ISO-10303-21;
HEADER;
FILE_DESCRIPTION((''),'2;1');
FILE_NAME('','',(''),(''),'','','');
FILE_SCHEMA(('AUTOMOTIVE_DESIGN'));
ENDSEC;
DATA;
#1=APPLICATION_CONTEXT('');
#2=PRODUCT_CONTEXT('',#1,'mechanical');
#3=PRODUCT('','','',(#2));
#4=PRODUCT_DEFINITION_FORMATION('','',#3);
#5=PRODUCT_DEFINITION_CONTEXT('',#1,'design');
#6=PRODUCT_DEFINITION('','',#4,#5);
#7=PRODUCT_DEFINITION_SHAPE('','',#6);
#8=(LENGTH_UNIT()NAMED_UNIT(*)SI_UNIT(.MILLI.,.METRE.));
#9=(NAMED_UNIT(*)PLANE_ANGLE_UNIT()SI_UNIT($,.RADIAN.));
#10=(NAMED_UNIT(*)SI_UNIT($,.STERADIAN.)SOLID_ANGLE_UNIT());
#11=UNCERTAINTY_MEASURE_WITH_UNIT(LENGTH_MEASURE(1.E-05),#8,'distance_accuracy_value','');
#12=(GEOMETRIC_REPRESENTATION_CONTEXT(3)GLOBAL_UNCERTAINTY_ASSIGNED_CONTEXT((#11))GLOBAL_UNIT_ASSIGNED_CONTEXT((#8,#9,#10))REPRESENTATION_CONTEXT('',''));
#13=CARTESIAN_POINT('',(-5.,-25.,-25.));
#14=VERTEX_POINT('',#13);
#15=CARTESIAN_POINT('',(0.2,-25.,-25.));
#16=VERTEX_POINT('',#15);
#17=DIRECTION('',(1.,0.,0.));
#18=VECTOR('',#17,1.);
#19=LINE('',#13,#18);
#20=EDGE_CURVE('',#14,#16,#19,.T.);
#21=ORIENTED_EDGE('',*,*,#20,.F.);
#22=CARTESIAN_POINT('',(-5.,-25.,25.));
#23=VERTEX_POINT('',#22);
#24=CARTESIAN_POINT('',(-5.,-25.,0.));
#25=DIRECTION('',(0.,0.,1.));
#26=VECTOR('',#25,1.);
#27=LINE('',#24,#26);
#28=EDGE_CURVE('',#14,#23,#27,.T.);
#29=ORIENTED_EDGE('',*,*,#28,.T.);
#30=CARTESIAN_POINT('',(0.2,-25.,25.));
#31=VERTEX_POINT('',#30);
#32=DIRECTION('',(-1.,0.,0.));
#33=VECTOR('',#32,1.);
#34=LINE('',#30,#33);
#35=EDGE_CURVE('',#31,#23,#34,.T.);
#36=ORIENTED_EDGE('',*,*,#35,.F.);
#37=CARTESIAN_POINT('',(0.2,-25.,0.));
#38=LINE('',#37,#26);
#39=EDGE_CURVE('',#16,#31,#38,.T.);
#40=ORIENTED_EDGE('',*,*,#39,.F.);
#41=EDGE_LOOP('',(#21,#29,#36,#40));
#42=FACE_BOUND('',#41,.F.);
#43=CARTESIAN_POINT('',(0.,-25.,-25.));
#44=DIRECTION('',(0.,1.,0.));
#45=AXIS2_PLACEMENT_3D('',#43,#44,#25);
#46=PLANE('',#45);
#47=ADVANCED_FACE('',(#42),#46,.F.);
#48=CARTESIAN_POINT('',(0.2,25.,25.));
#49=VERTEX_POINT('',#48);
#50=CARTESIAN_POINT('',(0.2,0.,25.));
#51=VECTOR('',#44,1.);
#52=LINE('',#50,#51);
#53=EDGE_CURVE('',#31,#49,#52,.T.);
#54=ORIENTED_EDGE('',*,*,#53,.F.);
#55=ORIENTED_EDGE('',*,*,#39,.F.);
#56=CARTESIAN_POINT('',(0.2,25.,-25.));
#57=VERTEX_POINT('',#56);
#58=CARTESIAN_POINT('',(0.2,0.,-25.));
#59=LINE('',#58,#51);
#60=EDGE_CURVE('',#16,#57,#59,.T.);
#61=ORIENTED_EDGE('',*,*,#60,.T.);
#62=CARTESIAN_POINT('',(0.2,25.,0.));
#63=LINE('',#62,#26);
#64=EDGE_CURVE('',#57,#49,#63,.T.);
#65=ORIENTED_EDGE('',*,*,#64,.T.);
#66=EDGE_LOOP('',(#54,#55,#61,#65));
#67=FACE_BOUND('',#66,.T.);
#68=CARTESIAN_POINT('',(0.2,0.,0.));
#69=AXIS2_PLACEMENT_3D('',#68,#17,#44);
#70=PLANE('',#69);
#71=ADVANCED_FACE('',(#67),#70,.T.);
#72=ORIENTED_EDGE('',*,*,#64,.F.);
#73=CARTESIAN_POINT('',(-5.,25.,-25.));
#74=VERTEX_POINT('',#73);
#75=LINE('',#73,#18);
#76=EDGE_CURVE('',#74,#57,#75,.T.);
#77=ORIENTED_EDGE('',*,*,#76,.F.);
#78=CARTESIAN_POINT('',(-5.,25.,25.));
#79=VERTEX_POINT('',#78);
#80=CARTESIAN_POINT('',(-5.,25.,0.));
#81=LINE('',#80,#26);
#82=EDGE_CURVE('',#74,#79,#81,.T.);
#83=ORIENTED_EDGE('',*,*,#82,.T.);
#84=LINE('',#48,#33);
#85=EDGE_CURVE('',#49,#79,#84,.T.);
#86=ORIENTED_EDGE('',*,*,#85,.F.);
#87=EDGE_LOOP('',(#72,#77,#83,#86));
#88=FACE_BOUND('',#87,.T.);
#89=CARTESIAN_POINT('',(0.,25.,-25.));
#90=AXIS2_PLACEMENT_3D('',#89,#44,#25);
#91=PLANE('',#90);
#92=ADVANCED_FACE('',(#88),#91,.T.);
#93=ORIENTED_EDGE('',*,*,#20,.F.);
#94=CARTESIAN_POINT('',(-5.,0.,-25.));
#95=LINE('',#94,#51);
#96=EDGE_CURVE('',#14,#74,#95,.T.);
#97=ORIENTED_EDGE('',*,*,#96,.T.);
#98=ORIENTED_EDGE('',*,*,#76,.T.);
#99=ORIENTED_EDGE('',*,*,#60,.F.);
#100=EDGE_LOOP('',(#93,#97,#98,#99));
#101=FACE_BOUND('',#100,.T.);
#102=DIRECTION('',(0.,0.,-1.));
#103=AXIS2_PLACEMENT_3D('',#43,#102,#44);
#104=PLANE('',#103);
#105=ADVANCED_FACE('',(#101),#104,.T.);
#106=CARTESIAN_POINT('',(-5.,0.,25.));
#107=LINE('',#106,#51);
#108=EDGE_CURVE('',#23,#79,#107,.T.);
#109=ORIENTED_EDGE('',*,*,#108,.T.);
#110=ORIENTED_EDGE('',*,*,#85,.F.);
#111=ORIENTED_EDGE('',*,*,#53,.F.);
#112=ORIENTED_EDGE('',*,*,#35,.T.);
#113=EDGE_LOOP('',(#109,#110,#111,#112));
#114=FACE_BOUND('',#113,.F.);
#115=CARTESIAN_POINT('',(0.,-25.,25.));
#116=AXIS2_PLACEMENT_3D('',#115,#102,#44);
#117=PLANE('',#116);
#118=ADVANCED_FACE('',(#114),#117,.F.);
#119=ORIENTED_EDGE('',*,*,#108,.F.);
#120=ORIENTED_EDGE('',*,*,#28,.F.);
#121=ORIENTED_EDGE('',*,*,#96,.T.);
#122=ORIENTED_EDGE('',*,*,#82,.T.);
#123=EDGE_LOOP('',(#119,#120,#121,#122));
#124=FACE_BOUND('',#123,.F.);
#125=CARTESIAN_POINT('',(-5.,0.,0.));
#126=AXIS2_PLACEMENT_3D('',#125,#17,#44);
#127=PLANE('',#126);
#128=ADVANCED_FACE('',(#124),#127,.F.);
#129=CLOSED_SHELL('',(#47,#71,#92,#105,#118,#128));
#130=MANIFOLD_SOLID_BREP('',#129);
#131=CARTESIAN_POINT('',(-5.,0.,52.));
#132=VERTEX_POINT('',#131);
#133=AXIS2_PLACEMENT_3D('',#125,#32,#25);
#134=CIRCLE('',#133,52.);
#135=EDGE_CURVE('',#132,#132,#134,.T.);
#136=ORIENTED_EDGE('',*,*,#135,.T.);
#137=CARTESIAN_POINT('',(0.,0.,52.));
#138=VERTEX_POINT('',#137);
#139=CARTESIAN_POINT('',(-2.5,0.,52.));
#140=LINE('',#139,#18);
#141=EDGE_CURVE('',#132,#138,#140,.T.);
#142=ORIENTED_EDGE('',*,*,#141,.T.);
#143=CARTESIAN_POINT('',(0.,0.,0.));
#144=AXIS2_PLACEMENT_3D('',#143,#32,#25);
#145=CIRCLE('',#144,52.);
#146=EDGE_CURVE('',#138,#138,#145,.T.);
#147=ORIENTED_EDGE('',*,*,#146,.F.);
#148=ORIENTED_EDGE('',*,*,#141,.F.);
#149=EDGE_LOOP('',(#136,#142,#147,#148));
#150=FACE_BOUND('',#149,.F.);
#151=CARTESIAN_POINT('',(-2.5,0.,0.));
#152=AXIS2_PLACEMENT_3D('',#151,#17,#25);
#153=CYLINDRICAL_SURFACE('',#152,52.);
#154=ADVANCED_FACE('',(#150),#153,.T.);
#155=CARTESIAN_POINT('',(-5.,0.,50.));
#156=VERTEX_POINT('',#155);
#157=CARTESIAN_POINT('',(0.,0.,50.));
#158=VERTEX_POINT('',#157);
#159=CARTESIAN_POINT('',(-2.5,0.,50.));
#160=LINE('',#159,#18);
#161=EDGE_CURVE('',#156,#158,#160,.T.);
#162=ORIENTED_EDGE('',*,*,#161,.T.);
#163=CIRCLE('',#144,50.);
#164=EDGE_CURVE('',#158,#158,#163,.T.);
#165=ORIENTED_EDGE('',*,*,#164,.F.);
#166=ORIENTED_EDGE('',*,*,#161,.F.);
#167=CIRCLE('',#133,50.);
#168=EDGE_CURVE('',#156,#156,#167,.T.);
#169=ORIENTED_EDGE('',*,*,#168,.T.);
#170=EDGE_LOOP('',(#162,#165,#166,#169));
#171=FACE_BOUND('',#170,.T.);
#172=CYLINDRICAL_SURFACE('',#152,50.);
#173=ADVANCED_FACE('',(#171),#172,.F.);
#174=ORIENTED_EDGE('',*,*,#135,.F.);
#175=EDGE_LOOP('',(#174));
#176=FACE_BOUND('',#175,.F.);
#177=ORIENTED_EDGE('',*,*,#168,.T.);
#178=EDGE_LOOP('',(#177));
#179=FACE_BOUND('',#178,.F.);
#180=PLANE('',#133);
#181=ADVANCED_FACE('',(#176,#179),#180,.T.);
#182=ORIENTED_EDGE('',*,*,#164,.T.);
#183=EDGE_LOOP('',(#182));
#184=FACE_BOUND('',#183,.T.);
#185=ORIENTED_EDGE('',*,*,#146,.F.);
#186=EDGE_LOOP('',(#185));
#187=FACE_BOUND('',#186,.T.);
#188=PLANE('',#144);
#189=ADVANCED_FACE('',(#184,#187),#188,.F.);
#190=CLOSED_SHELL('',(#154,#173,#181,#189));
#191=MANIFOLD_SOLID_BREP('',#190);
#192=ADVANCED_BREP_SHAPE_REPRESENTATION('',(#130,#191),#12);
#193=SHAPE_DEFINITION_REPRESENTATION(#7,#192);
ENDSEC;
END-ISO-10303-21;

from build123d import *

# Parameters (mm, degrees)
F0_W          = 5
F0_H          = 2
F2_W          = 50.000001
F2_H          = 50
F3_DEPTH      = 0.2
F3_DEPTH_BACK = 5


with BuildPart() as f1:
    # F0 (on Front) → F1 (revolve)
    with BuildSketch(Plane.XZ):
        with Locations((-2.5, 51)):
            Rectangle(F0_W, F0_H)
    revolve(axis=Axis((-39.879699, 0, 0), (-1, 0, 0)))


with BuildPart() as f3:
    # F2 (on Right) → F3 (new body, two sides)
    with BuildSketch(Plane.YZ) as f3_sk:
        with Locations((0, 0)):
            Rectangle(F2_W, F2_H)
    extrude(amount=F3_DEPTH)
    extrude(f3_sk.sketch, amount=-F3_DEPTH_BACK)


solid = Compound([f1.part, f3.part])
